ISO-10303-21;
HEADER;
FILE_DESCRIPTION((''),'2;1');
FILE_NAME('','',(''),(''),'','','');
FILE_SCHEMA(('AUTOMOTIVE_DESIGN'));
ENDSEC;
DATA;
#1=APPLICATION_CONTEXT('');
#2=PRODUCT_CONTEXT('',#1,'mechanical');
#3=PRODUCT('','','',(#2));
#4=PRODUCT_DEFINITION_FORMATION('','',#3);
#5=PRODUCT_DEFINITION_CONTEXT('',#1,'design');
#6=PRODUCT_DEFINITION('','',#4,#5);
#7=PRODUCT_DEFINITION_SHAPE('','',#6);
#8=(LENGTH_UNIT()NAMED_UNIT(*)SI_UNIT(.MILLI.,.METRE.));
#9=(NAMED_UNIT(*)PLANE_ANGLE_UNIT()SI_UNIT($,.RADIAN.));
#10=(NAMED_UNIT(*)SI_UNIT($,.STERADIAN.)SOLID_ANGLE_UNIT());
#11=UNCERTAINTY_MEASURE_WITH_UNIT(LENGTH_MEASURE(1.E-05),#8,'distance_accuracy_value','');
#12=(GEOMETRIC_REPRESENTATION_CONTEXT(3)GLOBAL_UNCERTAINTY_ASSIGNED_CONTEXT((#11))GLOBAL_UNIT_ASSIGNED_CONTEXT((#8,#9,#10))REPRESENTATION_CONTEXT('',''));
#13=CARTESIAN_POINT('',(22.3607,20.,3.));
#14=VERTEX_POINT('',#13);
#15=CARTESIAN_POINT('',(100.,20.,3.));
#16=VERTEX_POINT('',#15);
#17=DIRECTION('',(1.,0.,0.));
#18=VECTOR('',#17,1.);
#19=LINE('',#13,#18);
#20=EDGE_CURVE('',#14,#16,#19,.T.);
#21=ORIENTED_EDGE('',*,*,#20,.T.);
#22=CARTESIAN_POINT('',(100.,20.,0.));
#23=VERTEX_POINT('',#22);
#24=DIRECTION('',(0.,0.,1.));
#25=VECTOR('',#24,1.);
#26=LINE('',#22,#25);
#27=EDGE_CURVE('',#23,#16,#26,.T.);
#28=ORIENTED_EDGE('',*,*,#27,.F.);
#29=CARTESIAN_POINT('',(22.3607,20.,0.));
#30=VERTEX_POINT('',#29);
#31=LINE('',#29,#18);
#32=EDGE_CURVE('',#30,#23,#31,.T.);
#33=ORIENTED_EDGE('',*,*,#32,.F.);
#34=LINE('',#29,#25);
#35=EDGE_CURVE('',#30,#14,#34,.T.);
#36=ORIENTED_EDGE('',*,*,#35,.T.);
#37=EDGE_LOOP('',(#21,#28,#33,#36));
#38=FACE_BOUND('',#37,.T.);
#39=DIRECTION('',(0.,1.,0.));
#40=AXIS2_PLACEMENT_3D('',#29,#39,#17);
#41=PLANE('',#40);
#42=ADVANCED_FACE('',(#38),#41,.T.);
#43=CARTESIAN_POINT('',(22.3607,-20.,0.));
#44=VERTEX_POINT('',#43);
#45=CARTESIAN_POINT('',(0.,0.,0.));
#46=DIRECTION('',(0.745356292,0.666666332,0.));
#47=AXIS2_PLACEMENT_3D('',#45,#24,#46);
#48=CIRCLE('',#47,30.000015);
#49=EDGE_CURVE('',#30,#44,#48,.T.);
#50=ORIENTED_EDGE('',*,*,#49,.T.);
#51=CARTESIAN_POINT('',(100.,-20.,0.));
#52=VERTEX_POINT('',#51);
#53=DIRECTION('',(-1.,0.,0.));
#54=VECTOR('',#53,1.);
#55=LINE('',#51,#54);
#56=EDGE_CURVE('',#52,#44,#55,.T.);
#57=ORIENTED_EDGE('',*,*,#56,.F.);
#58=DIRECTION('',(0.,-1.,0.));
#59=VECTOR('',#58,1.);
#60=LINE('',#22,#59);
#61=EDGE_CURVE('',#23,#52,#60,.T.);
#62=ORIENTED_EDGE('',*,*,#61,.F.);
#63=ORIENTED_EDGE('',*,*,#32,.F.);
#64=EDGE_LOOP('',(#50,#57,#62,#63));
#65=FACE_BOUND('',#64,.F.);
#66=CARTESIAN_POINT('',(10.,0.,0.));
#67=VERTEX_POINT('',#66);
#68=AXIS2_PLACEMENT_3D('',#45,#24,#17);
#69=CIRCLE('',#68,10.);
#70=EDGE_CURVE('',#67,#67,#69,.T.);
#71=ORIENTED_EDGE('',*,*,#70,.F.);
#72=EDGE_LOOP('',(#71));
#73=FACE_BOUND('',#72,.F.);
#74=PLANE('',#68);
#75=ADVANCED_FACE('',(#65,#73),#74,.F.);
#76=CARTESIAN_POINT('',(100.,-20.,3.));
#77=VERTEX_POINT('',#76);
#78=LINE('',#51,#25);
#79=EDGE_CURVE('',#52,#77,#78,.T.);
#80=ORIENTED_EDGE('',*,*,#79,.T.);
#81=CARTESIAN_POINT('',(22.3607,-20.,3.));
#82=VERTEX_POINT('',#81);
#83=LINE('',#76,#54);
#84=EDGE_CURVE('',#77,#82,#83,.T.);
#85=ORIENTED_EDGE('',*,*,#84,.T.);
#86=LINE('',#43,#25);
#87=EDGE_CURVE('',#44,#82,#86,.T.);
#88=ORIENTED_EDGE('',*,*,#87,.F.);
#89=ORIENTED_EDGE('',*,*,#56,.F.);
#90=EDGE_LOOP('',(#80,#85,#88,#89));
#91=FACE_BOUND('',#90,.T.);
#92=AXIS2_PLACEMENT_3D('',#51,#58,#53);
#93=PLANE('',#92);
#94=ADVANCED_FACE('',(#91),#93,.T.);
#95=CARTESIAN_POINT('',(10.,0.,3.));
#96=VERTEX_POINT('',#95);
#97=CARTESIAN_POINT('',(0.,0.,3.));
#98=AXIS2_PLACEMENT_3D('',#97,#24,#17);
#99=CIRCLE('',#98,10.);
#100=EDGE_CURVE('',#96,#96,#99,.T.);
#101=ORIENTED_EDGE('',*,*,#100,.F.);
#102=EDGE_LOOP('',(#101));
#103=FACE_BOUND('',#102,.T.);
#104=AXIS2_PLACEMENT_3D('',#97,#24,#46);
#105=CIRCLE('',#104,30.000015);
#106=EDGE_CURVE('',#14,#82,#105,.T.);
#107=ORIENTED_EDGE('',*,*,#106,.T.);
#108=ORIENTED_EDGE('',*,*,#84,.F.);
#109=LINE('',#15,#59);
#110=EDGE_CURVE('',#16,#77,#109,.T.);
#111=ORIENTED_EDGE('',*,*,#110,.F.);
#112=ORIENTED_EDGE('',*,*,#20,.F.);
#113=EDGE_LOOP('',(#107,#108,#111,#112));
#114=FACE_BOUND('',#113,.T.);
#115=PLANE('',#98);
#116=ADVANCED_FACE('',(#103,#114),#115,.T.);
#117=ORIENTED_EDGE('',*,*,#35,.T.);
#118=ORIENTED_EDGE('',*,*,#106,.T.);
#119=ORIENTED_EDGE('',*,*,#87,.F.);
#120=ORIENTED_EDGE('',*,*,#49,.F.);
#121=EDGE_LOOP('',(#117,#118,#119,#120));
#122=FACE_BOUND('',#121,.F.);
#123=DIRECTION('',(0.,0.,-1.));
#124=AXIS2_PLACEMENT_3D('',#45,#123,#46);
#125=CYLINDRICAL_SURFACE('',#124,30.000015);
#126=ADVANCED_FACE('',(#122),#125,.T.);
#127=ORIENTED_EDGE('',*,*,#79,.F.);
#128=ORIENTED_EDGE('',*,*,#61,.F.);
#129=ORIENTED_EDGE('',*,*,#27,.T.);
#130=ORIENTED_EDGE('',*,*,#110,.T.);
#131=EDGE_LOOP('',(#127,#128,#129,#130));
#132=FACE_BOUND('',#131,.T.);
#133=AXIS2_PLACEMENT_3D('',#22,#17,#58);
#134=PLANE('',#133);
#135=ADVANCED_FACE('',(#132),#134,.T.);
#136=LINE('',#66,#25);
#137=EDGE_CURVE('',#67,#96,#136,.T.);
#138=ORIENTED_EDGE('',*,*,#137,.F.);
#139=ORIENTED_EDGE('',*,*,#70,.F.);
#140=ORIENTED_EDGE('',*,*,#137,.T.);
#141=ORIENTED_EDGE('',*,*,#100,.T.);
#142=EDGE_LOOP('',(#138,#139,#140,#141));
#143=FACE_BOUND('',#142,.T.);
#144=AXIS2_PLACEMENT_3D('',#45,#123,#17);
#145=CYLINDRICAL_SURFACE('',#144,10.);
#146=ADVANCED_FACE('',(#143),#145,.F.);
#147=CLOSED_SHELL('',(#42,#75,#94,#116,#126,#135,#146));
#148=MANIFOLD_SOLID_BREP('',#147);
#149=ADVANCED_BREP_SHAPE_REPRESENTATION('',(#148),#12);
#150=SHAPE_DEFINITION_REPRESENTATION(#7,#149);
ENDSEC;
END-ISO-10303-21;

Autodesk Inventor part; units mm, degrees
ref_plane "YZ Plane" through (0, 0, 0) normal (1, 0, 0) x (0, 1, 0)
ref_plane "XZ Plane" through (0, 0, 0) normal (0, 1, 0) x (-1, 0, 0)
ref_plane "XY Plane" through (0, 0, 0) normal (0, 0, 1) x (1, 0, 0)
sketch "Эскиз3" plane through (0, 0, 0) normal (0, 0, 1) x (1, 0, 0)
  circle A0 centre (0, 0) radius 10
  arc A1 (22.3607, 20) -> (22.3607, -20) centre (0, 0) ccw
  line L0 (22.3607, 20) -> (100, 20)
  line L1 (100, 20) -> (100, -20)
  line L2 (100, -20) -> (22.3607, -20)
  line L3 (22.3607, -20) -> (22.3607, 20)
  dimension "d8" = 20
  dimension "d9" = 60
  dimension "d10" = 100
  dimension "d11" = 40
extrude "Выдавливание3" add sketch "Эскиз3" along normal blind 3
equation "\"d8\" = d_main_shaft"
equation "\"d10\" = length_coxa"
equation "\"d11\" = hight_coxa"
equation "\"d6\" = thickness_steel"
equation "\"tolerance_plazma\" = 0.1"
equation "\"thickness_steel\" = 3"
equation "\"d_main_screw_holes\" = 6.1"
equation "\"d_main_shaft\" = 20"
equation "\"thickness_profile_tibea\" = 3"
equation "\"hight_shaft_shift\" = 37"
equation "\"thickness_profile_femur\" = 3"
equation "\"width_shaft_shift\" = 35"
equation "\"width_flattened_surface\" = 12"
equation "\"length_coxa\" = 100"
equation "\"hight_coxa\" = 40"
properties part number "coxa_support_steel" material "Сталь"
